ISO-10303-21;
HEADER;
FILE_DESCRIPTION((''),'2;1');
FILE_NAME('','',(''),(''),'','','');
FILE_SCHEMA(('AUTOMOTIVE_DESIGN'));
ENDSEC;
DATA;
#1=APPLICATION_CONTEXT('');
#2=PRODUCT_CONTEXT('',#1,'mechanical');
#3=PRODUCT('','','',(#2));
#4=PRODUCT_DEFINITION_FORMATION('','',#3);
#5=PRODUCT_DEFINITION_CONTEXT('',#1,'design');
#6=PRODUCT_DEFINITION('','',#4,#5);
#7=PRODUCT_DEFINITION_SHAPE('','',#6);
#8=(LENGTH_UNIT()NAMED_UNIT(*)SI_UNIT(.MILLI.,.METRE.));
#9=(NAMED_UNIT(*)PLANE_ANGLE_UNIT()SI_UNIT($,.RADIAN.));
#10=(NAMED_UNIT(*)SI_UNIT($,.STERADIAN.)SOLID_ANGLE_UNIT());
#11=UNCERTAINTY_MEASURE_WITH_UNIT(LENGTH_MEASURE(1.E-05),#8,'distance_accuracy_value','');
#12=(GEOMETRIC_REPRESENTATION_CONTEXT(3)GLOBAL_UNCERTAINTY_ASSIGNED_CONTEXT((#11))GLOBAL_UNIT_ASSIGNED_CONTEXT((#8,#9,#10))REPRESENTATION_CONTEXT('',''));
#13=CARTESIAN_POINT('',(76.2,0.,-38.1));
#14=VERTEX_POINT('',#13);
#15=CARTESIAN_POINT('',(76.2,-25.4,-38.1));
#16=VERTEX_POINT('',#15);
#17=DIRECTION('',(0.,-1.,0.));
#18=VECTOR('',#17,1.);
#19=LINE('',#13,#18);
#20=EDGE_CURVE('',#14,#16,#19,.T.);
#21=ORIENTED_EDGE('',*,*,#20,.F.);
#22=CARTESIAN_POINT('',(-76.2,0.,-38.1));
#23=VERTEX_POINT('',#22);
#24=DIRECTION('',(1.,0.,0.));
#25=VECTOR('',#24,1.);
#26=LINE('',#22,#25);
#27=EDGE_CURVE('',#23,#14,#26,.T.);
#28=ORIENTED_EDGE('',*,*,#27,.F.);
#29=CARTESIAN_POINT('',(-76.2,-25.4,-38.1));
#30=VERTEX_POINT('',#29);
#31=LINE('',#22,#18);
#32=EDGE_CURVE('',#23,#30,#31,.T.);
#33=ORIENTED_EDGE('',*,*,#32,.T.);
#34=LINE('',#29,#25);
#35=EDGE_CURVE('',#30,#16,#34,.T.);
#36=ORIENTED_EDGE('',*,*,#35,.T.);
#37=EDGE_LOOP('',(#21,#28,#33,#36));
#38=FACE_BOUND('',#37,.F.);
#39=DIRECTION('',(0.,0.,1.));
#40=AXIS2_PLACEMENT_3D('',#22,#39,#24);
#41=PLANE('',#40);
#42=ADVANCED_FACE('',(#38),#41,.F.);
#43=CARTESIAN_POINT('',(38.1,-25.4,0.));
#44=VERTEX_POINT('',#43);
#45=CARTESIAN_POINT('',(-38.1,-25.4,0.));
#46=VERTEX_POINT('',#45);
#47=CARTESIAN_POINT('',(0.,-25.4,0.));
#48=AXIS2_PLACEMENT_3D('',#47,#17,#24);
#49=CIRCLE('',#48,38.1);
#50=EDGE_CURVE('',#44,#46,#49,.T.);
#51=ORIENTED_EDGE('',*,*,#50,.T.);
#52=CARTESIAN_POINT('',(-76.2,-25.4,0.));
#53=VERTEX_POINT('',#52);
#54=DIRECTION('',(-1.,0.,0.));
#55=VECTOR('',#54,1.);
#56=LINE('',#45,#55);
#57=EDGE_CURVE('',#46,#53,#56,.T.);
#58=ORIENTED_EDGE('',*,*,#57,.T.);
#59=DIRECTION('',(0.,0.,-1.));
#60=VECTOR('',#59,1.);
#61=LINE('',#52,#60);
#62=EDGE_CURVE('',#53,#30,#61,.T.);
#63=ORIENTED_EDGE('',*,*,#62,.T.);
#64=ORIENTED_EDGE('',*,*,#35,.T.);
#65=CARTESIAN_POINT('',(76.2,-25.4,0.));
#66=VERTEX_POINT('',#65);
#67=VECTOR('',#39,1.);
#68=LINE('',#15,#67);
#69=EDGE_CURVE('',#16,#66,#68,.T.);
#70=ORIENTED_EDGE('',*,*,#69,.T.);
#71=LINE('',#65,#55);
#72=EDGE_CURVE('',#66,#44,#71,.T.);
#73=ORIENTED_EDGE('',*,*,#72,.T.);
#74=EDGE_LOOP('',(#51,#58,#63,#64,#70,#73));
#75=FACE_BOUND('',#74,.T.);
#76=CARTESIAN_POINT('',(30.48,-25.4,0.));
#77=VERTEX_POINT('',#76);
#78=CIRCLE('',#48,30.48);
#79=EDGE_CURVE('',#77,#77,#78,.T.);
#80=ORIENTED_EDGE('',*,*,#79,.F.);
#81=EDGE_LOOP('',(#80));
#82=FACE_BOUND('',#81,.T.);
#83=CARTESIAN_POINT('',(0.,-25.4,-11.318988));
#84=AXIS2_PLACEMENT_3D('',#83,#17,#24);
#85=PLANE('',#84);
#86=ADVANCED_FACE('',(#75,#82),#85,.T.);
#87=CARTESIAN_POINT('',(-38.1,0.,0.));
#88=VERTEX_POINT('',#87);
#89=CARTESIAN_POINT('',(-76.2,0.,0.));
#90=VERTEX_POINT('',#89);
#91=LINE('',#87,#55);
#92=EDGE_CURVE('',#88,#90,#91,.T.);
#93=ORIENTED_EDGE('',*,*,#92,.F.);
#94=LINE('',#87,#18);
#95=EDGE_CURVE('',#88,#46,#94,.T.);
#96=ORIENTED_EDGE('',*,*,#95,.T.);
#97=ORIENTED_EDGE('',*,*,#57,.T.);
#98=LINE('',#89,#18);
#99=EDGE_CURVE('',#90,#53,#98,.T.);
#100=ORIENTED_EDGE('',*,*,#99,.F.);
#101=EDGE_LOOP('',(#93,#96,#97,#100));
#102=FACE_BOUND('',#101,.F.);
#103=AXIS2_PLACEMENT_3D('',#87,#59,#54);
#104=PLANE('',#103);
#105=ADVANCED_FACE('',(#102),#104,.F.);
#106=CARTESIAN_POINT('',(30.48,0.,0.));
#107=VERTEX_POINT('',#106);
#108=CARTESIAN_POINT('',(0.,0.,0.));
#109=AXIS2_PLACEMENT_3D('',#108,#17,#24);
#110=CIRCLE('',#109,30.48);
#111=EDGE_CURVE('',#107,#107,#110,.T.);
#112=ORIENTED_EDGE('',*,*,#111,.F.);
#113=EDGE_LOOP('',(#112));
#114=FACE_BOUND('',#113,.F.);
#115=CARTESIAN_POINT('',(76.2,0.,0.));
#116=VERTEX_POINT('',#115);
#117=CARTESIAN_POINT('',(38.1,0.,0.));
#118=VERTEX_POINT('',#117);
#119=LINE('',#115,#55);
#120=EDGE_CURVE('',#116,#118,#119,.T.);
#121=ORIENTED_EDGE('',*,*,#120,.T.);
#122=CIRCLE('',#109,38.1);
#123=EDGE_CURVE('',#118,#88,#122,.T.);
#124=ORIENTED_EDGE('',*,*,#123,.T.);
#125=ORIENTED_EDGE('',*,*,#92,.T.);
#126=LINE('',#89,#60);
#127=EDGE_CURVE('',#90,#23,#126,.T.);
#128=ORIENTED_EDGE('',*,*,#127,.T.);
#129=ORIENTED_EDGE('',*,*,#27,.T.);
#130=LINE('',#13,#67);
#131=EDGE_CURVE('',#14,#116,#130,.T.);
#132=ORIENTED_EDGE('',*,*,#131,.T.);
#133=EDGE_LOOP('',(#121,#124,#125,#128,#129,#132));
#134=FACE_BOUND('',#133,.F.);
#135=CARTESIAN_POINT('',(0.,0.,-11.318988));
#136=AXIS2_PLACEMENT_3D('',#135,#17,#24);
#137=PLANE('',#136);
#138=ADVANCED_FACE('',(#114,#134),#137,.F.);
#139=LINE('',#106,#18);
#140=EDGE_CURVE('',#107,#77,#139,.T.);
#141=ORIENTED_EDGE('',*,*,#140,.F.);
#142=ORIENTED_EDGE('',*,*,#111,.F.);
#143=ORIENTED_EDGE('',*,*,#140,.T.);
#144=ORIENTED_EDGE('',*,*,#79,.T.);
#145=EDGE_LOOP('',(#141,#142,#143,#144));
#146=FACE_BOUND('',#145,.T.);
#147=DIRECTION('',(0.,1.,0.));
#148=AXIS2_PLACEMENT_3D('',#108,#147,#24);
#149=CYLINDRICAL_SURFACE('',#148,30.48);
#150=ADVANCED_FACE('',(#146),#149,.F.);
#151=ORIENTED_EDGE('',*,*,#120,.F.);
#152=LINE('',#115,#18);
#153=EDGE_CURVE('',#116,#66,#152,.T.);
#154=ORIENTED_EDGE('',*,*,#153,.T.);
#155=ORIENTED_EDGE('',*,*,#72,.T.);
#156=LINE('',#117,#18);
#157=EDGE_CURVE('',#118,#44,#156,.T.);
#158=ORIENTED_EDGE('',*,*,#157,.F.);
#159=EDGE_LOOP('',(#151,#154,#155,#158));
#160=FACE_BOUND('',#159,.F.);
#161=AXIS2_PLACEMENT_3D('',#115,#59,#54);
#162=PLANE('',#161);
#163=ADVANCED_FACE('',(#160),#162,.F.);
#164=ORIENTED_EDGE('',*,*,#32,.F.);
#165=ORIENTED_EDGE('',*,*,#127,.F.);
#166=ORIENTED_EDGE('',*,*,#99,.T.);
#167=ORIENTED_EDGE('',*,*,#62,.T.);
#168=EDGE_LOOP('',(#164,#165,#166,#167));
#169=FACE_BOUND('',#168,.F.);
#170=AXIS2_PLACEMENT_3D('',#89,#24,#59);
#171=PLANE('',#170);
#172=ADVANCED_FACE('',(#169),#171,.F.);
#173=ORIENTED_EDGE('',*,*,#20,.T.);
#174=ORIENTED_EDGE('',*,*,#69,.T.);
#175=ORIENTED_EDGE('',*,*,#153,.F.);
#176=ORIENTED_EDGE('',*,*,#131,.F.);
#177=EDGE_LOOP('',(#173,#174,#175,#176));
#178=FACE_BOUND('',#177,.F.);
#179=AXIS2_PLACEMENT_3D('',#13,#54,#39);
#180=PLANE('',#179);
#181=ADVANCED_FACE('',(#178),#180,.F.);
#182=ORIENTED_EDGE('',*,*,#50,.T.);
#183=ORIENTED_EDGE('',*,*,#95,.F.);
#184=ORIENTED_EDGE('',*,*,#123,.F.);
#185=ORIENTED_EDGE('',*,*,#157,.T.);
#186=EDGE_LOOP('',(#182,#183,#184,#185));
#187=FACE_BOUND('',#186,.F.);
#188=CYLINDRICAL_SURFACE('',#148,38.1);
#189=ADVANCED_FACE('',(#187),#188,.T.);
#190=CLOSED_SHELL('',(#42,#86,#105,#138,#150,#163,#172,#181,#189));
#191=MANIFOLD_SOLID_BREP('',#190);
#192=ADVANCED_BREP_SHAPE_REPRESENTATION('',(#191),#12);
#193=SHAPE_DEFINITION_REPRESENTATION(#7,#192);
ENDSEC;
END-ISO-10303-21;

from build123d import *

# Parameters (mm, degrees)
F0_R     = 30.48
F1_DEPTH = 25.4


with BuildPart() as f1:
    # F0 (on Front) → F1 (new body)
    with BuildSketch(Plane.XZ):
        with BuildLine():
            Line((76.2, 0), (38.1, 0))
            ThreePointArc((38.1, 0), (0, 38.1), (-38.1, 0))
            Line((-38.1, 0), (-76.2, 0))
            Line((-76.2, 0), (-76.2, -38.1))
            Line((-76.2, -38.1), (76.2, -38.1))
            Line((76.2, -38.1), (76.2, 0))
        make_face()
        Circle(F0_R, mode=Mode.SUBTRACT)
    extrude(amount=F1_DEPTH)


solid = f1.part
